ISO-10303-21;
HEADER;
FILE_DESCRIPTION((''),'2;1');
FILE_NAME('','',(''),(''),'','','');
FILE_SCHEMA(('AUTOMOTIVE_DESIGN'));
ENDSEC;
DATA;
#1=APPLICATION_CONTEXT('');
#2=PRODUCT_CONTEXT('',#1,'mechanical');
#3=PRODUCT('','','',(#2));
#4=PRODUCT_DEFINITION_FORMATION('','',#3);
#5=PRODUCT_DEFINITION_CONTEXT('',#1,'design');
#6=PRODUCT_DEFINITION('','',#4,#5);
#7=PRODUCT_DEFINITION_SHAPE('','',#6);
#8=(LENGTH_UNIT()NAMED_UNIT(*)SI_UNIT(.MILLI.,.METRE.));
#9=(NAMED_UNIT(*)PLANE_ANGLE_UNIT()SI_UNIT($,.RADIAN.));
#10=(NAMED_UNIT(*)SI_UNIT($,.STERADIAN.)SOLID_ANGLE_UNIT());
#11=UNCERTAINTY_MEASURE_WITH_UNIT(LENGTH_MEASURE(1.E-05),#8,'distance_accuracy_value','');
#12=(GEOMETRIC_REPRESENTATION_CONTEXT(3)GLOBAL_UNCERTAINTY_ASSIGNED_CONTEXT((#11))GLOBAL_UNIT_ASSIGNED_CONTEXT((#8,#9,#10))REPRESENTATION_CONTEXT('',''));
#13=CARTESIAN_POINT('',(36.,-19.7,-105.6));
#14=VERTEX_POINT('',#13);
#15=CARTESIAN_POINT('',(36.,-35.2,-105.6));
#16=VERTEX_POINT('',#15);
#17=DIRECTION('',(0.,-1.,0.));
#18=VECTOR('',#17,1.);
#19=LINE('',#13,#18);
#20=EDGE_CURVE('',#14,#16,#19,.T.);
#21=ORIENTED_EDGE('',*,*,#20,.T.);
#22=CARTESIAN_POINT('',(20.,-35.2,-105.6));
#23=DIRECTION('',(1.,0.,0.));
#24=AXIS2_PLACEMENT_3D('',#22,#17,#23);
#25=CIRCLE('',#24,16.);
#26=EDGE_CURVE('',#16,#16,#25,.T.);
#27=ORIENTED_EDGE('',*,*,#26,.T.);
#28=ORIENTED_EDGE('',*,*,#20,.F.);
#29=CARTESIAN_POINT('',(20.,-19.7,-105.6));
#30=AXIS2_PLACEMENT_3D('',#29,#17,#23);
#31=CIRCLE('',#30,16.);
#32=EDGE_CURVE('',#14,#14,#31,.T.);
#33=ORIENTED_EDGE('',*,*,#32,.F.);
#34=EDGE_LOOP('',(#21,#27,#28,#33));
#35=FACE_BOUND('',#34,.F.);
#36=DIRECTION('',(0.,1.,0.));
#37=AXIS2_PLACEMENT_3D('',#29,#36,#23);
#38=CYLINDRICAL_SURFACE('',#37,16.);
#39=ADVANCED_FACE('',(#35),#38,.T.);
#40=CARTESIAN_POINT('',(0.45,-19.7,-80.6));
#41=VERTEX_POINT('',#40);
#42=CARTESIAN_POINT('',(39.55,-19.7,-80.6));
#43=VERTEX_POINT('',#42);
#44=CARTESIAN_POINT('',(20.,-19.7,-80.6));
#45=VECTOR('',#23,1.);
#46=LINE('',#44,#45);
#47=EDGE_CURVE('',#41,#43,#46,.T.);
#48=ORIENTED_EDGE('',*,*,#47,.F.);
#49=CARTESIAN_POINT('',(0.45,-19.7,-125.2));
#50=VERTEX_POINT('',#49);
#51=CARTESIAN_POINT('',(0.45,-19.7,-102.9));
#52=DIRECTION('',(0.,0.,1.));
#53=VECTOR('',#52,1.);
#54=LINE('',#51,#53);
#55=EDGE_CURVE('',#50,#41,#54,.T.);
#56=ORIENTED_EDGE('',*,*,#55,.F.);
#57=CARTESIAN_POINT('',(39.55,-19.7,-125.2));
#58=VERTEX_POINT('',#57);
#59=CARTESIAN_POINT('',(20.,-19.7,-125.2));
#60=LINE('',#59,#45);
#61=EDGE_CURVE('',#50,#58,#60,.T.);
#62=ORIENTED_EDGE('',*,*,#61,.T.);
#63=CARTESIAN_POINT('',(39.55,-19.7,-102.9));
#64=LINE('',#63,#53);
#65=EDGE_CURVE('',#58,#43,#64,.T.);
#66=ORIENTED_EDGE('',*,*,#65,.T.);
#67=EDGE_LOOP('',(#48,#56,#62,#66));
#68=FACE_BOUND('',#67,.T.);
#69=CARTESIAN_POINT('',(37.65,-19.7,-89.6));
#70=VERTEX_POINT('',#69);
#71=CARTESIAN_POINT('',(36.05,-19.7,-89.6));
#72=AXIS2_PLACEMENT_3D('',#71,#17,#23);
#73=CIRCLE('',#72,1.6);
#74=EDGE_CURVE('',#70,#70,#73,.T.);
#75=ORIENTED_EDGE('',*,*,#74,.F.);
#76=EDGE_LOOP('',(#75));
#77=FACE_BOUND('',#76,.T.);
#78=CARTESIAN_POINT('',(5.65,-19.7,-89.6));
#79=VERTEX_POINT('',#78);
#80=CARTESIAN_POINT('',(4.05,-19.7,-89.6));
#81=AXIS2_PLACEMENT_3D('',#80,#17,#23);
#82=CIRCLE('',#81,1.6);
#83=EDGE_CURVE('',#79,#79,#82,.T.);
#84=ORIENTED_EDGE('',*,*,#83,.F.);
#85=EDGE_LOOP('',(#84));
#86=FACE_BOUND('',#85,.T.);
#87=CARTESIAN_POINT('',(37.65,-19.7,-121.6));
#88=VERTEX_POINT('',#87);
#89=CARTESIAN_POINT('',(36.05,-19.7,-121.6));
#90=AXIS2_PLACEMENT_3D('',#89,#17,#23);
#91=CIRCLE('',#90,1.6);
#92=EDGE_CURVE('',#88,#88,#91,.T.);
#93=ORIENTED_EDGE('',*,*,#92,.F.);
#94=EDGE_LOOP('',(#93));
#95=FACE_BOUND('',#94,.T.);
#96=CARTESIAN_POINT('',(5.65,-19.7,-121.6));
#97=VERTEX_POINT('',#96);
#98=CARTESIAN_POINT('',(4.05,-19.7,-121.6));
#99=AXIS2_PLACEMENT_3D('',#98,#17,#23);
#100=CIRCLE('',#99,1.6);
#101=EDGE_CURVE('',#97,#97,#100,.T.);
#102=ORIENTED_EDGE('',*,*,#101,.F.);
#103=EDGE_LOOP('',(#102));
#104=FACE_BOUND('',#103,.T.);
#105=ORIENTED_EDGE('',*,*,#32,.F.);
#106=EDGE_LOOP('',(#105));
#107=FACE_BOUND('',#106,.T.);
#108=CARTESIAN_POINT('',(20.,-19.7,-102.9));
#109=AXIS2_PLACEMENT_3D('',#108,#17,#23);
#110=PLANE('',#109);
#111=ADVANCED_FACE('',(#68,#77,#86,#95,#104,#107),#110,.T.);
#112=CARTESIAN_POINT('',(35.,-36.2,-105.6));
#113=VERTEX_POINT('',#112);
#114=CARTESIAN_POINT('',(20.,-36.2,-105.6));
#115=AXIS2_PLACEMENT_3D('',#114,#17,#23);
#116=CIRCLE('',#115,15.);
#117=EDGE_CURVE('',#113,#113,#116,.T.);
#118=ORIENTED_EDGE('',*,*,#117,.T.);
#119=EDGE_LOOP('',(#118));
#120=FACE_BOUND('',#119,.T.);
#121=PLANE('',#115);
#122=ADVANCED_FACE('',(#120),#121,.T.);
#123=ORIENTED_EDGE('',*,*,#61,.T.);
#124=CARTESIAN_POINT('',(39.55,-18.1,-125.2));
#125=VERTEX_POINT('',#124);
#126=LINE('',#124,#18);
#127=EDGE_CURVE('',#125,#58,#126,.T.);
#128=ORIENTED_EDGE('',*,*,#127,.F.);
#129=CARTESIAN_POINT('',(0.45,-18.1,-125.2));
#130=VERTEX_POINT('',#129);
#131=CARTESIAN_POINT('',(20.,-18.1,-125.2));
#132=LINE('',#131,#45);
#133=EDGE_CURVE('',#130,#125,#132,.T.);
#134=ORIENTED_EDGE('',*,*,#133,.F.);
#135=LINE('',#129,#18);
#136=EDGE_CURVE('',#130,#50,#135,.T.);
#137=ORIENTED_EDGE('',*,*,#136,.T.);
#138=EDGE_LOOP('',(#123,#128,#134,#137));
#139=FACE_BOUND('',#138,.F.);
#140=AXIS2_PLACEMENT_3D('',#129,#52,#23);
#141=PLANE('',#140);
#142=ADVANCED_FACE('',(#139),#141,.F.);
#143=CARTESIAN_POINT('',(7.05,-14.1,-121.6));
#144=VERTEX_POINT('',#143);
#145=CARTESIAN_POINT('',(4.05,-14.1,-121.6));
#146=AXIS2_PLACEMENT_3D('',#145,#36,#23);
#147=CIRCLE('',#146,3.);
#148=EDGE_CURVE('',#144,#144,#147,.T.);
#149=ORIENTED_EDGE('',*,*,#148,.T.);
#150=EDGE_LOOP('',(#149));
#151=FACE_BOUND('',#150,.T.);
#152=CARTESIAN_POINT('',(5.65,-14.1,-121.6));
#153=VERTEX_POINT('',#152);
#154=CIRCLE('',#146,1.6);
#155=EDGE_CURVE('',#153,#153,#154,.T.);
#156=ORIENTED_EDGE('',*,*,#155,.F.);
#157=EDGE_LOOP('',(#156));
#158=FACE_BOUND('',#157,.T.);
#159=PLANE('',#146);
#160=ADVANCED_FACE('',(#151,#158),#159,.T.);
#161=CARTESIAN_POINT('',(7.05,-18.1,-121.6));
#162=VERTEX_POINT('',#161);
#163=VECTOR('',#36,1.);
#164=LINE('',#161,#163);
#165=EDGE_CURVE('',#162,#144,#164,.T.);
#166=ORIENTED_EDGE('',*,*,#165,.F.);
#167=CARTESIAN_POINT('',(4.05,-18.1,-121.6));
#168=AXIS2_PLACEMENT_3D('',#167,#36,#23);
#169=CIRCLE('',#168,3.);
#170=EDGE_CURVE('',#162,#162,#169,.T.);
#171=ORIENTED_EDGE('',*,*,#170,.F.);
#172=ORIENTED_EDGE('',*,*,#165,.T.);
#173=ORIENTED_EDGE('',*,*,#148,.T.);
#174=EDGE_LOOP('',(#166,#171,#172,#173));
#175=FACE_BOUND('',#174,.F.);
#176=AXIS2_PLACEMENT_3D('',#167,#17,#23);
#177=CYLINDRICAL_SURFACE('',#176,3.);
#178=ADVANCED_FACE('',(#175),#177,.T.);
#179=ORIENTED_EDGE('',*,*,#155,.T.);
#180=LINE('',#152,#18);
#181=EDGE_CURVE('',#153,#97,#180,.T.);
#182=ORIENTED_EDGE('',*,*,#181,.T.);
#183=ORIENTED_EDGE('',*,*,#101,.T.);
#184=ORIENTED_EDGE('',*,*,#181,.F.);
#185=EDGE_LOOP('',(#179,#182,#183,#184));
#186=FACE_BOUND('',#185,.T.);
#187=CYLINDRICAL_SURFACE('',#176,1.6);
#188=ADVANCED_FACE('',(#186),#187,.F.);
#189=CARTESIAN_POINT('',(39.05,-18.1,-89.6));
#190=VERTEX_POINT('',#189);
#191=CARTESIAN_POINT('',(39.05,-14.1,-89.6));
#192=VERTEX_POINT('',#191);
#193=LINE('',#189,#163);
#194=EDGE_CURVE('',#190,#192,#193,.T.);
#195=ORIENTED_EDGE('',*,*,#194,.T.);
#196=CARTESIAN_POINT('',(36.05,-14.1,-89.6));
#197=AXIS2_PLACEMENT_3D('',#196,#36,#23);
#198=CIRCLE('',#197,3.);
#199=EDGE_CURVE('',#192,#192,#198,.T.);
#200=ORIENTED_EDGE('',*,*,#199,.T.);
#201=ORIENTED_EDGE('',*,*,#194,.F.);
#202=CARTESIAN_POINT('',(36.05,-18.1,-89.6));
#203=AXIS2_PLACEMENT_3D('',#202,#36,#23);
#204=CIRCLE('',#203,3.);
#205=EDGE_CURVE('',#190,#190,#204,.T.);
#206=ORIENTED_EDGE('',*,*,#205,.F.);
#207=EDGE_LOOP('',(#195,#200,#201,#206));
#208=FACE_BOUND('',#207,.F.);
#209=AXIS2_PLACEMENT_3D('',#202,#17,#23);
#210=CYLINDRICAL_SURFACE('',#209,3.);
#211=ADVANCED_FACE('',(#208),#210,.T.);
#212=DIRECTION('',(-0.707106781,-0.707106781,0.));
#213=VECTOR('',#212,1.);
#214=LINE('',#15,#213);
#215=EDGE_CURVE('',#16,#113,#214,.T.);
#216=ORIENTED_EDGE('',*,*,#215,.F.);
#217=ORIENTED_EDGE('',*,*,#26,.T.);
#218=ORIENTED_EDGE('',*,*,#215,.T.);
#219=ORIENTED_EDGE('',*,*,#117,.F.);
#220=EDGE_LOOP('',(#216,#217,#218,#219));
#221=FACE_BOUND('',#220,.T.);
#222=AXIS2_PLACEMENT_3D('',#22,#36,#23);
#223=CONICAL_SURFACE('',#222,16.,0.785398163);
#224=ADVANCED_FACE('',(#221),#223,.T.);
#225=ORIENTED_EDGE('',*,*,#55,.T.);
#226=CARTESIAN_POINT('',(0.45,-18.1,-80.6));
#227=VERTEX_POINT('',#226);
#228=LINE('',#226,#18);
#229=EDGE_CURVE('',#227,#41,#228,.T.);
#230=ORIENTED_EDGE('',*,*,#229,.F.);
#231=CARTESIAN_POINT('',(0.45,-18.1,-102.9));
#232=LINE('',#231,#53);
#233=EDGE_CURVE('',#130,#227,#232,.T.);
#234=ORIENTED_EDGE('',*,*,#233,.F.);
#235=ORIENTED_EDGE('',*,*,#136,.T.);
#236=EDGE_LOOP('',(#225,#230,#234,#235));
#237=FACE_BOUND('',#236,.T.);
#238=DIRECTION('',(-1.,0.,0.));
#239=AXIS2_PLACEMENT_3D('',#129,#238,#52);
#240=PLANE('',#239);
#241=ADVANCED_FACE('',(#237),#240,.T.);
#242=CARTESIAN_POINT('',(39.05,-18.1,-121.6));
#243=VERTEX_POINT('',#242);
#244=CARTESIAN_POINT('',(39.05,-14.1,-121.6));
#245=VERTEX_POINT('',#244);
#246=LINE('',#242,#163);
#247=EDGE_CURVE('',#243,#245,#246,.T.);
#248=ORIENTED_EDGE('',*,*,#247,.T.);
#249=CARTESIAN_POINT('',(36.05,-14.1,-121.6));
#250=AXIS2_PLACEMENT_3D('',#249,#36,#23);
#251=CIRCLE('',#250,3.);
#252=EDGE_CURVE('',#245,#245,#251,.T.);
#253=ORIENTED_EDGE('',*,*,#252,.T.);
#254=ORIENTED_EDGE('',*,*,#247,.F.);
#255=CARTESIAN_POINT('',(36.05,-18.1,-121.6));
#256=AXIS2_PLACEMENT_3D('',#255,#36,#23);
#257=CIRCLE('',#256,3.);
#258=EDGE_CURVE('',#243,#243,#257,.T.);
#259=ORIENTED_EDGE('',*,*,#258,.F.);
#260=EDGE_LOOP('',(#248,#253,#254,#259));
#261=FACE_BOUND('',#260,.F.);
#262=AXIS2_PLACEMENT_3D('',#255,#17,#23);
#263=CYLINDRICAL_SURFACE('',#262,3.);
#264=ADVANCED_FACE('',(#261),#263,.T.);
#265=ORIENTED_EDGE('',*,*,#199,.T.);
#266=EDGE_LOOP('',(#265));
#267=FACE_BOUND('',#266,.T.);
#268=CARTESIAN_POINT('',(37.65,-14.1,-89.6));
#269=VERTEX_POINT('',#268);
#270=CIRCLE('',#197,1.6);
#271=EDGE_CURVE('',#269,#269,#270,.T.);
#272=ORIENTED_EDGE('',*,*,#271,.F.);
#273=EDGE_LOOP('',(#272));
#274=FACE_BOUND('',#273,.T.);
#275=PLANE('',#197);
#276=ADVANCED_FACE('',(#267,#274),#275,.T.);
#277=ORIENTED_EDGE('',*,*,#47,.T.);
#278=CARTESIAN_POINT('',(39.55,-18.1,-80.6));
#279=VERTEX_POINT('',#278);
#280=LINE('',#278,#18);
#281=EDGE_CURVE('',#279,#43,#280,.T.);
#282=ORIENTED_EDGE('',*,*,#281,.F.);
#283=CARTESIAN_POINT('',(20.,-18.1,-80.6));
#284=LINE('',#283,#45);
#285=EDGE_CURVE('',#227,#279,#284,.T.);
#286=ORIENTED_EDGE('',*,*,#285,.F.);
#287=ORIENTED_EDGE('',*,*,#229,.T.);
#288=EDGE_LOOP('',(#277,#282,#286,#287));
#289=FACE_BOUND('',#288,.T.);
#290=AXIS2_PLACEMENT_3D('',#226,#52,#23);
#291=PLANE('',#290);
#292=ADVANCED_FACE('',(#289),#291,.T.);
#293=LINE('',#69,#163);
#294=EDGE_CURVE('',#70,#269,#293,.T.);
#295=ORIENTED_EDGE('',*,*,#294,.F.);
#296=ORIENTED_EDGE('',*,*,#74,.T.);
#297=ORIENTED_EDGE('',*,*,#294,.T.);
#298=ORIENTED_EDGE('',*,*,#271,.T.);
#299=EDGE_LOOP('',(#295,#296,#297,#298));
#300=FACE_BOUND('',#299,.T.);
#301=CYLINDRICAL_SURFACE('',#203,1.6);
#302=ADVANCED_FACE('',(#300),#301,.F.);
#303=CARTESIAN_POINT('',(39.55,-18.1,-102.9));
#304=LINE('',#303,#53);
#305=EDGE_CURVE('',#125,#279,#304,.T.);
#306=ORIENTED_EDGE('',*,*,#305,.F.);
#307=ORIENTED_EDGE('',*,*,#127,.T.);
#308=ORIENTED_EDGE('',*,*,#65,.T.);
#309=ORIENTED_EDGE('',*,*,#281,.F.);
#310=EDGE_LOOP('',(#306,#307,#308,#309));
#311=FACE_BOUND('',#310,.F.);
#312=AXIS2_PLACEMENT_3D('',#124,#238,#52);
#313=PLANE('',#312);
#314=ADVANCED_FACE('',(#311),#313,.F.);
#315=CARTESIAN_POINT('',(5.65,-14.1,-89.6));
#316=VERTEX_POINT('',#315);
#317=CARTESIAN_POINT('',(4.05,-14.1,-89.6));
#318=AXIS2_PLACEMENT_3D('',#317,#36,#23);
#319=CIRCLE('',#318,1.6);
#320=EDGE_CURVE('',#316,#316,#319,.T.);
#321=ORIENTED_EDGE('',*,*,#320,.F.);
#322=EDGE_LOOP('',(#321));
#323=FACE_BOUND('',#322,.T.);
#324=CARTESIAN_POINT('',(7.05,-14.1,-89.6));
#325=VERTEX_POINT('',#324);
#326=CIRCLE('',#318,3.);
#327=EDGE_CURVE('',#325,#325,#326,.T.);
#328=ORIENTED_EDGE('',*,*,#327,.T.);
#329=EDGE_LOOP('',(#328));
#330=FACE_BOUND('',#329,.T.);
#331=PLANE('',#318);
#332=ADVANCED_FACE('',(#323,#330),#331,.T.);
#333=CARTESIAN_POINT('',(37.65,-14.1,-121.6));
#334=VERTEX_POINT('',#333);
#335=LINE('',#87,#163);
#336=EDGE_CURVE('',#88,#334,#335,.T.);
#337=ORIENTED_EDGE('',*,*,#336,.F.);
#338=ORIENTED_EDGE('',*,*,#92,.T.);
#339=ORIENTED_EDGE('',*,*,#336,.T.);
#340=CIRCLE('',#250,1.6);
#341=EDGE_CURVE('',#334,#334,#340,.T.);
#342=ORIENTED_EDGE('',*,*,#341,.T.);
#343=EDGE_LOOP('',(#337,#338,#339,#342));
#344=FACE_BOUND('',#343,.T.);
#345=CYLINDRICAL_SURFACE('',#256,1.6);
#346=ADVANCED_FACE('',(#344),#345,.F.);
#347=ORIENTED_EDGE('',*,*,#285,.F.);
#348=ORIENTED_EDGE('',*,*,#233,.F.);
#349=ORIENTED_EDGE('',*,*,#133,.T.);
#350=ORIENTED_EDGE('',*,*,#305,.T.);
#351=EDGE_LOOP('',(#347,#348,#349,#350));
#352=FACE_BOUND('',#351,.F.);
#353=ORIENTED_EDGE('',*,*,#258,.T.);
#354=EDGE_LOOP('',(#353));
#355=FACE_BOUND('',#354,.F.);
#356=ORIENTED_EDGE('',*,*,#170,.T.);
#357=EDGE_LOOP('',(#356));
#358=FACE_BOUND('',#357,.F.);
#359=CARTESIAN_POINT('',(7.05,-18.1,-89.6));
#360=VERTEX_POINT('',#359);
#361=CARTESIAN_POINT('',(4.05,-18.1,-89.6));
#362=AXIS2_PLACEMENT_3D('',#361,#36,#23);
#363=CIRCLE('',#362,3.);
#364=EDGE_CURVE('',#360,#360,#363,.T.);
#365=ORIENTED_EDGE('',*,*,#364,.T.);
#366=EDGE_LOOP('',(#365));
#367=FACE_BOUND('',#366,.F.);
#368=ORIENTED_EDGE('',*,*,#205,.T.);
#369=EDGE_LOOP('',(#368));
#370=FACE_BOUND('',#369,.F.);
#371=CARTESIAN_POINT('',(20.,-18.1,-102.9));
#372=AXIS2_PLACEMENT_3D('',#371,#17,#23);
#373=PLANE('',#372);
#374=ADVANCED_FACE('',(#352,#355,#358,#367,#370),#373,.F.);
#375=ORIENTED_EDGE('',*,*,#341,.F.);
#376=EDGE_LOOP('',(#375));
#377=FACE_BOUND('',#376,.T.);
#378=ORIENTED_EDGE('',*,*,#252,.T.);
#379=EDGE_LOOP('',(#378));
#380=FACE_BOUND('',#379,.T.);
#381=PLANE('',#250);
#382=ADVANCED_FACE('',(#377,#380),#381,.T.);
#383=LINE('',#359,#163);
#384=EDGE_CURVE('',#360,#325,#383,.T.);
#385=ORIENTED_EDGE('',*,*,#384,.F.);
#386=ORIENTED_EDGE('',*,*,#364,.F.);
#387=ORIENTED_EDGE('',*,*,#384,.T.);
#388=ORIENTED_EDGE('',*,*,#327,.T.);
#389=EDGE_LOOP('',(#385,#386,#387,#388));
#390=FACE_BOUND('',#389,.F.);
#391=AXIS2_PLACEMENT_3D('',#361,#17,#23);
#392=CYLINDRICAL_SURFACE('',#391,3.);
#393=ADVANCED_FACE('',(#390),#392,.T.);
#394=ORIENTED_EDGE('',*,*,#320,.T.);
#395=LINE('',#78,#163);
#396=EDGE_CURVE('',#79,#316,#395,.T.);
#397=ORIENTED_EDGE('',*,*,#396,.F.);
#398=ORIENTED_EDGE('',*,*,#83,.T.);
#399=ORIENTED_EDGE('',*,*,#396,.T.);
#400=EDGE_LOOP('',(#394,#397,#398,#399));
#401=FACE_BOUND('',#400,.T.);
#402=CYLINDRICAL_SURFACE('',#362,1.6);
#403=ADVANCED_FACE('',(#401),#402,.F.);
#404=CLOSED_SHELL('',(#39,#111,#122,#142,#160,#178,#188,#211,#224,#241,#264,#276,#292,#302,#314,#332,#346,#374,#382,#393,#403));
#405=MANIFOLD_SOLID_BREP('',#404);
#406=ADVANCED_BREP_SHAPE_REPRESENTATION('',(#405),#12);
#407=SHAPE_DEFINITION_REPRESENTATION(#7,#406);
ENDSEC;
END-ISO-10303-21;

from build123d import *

# Parameters (mm, degrees)
SKETCH011_W     = 39.1
SKETCH011_H     = 44.6
SKETCH011_R     = 1.6
PAD007_DEPTH    = 1.6
SKETCH012_R     = 16
PAD008_DEPTH    = 16.5
SKETCH013_R     = 3
SKETCH013_R_2   = 1.6
PAD009_DEPTH    = 4
CHAMFER001_SIZE = 1


with BuildPart() as part:
    # Sketch011 → Pad007 (new body)
    with BuildSketch(Plane.XZ):
        Rectangle(SKETCH011_W, SKETCH011_H)
        with Locations((-15.95, 13.3)):
            Circle(SKETCH011_R, mode=Mode.SUBTRACT)
        with Locations((16.05, 13.3)):
            Circle(SKETCH011_R, mode=Mode.SUBTRACT)
        with Locations((16.05, -18.7)):
            Circle(SKETCH011_R, mode=Mode.SUBTRACT)
        with Locations((-15.95, -18.7)):
            Circle(SKETCH011_R, mode=Mode.SUBTRACT)
    extrude(amount=PAD007_DEPTH)

    # Sketch012 (on Face10 of Pad007) → Pad008 (join)
    with BuildSketch(Plane.XZ.offset(1.6)):
        with Locations((0, -2.7)):
            Circle(SKETCH012_R)
    extrude(amount=PAD008_DEPTH)

    # Sketch013 (on Face4 of Pad008) → Pad009 (join)
    with BuildSketch(Plane(origin=(0, 0, 0), x_dir=(1, 0, 0), z_dir=(0, 1, 0))):
        with Locations((-15.95, 18.7)):
            Circle(SKETCH013_R)
        with Locations((-15.95, 18.7)):
            Circle(SKETCH013_R_2, mode=Mode.SUBTRACT)
        with Locations((16.05, 18.7)):
            Circle(SKETCH013_R)
        with Locations((16.05, 18.7)):
            Circle(SKETCH013_R_2, mode=Mode.SUBTRACT)
        with Locations((16.05, -13.3)):
            Circle(SKETCH013_R)
        with Locations((16.05, -13.3)):
            Circle(SKETCH013_R_2, mode=Mode.SUBTRACT)
        with Locations((-15.95, -13.3)):
            Circle(SKETCH013_R)
        with Locations((-15.95, -13.3)):
            Circle(SKETCH013_R_2, mode=Mode.SUBTRACT)
    extrude(amount=PAD009_DEPTH)

    # Chamfer001
    chamfer001_edges = [part.edges().sort_by_distance(p)[0] for p in [
        (-16, -18.1, -2.7),
    ]]
    chamfer(chamfer001_edges, length=CHAMFER001_SIZE)


with BuildPart() as part_1:
    # Body008 placement: moved
    add(part.part.moved(Location((-20, -18.1, -102.9))))


with BuildPart() as part_2:
    # Clone placement: moved
    add(part_1.part.moved(Location((40, 0, 0))))


solid = part_2.part
